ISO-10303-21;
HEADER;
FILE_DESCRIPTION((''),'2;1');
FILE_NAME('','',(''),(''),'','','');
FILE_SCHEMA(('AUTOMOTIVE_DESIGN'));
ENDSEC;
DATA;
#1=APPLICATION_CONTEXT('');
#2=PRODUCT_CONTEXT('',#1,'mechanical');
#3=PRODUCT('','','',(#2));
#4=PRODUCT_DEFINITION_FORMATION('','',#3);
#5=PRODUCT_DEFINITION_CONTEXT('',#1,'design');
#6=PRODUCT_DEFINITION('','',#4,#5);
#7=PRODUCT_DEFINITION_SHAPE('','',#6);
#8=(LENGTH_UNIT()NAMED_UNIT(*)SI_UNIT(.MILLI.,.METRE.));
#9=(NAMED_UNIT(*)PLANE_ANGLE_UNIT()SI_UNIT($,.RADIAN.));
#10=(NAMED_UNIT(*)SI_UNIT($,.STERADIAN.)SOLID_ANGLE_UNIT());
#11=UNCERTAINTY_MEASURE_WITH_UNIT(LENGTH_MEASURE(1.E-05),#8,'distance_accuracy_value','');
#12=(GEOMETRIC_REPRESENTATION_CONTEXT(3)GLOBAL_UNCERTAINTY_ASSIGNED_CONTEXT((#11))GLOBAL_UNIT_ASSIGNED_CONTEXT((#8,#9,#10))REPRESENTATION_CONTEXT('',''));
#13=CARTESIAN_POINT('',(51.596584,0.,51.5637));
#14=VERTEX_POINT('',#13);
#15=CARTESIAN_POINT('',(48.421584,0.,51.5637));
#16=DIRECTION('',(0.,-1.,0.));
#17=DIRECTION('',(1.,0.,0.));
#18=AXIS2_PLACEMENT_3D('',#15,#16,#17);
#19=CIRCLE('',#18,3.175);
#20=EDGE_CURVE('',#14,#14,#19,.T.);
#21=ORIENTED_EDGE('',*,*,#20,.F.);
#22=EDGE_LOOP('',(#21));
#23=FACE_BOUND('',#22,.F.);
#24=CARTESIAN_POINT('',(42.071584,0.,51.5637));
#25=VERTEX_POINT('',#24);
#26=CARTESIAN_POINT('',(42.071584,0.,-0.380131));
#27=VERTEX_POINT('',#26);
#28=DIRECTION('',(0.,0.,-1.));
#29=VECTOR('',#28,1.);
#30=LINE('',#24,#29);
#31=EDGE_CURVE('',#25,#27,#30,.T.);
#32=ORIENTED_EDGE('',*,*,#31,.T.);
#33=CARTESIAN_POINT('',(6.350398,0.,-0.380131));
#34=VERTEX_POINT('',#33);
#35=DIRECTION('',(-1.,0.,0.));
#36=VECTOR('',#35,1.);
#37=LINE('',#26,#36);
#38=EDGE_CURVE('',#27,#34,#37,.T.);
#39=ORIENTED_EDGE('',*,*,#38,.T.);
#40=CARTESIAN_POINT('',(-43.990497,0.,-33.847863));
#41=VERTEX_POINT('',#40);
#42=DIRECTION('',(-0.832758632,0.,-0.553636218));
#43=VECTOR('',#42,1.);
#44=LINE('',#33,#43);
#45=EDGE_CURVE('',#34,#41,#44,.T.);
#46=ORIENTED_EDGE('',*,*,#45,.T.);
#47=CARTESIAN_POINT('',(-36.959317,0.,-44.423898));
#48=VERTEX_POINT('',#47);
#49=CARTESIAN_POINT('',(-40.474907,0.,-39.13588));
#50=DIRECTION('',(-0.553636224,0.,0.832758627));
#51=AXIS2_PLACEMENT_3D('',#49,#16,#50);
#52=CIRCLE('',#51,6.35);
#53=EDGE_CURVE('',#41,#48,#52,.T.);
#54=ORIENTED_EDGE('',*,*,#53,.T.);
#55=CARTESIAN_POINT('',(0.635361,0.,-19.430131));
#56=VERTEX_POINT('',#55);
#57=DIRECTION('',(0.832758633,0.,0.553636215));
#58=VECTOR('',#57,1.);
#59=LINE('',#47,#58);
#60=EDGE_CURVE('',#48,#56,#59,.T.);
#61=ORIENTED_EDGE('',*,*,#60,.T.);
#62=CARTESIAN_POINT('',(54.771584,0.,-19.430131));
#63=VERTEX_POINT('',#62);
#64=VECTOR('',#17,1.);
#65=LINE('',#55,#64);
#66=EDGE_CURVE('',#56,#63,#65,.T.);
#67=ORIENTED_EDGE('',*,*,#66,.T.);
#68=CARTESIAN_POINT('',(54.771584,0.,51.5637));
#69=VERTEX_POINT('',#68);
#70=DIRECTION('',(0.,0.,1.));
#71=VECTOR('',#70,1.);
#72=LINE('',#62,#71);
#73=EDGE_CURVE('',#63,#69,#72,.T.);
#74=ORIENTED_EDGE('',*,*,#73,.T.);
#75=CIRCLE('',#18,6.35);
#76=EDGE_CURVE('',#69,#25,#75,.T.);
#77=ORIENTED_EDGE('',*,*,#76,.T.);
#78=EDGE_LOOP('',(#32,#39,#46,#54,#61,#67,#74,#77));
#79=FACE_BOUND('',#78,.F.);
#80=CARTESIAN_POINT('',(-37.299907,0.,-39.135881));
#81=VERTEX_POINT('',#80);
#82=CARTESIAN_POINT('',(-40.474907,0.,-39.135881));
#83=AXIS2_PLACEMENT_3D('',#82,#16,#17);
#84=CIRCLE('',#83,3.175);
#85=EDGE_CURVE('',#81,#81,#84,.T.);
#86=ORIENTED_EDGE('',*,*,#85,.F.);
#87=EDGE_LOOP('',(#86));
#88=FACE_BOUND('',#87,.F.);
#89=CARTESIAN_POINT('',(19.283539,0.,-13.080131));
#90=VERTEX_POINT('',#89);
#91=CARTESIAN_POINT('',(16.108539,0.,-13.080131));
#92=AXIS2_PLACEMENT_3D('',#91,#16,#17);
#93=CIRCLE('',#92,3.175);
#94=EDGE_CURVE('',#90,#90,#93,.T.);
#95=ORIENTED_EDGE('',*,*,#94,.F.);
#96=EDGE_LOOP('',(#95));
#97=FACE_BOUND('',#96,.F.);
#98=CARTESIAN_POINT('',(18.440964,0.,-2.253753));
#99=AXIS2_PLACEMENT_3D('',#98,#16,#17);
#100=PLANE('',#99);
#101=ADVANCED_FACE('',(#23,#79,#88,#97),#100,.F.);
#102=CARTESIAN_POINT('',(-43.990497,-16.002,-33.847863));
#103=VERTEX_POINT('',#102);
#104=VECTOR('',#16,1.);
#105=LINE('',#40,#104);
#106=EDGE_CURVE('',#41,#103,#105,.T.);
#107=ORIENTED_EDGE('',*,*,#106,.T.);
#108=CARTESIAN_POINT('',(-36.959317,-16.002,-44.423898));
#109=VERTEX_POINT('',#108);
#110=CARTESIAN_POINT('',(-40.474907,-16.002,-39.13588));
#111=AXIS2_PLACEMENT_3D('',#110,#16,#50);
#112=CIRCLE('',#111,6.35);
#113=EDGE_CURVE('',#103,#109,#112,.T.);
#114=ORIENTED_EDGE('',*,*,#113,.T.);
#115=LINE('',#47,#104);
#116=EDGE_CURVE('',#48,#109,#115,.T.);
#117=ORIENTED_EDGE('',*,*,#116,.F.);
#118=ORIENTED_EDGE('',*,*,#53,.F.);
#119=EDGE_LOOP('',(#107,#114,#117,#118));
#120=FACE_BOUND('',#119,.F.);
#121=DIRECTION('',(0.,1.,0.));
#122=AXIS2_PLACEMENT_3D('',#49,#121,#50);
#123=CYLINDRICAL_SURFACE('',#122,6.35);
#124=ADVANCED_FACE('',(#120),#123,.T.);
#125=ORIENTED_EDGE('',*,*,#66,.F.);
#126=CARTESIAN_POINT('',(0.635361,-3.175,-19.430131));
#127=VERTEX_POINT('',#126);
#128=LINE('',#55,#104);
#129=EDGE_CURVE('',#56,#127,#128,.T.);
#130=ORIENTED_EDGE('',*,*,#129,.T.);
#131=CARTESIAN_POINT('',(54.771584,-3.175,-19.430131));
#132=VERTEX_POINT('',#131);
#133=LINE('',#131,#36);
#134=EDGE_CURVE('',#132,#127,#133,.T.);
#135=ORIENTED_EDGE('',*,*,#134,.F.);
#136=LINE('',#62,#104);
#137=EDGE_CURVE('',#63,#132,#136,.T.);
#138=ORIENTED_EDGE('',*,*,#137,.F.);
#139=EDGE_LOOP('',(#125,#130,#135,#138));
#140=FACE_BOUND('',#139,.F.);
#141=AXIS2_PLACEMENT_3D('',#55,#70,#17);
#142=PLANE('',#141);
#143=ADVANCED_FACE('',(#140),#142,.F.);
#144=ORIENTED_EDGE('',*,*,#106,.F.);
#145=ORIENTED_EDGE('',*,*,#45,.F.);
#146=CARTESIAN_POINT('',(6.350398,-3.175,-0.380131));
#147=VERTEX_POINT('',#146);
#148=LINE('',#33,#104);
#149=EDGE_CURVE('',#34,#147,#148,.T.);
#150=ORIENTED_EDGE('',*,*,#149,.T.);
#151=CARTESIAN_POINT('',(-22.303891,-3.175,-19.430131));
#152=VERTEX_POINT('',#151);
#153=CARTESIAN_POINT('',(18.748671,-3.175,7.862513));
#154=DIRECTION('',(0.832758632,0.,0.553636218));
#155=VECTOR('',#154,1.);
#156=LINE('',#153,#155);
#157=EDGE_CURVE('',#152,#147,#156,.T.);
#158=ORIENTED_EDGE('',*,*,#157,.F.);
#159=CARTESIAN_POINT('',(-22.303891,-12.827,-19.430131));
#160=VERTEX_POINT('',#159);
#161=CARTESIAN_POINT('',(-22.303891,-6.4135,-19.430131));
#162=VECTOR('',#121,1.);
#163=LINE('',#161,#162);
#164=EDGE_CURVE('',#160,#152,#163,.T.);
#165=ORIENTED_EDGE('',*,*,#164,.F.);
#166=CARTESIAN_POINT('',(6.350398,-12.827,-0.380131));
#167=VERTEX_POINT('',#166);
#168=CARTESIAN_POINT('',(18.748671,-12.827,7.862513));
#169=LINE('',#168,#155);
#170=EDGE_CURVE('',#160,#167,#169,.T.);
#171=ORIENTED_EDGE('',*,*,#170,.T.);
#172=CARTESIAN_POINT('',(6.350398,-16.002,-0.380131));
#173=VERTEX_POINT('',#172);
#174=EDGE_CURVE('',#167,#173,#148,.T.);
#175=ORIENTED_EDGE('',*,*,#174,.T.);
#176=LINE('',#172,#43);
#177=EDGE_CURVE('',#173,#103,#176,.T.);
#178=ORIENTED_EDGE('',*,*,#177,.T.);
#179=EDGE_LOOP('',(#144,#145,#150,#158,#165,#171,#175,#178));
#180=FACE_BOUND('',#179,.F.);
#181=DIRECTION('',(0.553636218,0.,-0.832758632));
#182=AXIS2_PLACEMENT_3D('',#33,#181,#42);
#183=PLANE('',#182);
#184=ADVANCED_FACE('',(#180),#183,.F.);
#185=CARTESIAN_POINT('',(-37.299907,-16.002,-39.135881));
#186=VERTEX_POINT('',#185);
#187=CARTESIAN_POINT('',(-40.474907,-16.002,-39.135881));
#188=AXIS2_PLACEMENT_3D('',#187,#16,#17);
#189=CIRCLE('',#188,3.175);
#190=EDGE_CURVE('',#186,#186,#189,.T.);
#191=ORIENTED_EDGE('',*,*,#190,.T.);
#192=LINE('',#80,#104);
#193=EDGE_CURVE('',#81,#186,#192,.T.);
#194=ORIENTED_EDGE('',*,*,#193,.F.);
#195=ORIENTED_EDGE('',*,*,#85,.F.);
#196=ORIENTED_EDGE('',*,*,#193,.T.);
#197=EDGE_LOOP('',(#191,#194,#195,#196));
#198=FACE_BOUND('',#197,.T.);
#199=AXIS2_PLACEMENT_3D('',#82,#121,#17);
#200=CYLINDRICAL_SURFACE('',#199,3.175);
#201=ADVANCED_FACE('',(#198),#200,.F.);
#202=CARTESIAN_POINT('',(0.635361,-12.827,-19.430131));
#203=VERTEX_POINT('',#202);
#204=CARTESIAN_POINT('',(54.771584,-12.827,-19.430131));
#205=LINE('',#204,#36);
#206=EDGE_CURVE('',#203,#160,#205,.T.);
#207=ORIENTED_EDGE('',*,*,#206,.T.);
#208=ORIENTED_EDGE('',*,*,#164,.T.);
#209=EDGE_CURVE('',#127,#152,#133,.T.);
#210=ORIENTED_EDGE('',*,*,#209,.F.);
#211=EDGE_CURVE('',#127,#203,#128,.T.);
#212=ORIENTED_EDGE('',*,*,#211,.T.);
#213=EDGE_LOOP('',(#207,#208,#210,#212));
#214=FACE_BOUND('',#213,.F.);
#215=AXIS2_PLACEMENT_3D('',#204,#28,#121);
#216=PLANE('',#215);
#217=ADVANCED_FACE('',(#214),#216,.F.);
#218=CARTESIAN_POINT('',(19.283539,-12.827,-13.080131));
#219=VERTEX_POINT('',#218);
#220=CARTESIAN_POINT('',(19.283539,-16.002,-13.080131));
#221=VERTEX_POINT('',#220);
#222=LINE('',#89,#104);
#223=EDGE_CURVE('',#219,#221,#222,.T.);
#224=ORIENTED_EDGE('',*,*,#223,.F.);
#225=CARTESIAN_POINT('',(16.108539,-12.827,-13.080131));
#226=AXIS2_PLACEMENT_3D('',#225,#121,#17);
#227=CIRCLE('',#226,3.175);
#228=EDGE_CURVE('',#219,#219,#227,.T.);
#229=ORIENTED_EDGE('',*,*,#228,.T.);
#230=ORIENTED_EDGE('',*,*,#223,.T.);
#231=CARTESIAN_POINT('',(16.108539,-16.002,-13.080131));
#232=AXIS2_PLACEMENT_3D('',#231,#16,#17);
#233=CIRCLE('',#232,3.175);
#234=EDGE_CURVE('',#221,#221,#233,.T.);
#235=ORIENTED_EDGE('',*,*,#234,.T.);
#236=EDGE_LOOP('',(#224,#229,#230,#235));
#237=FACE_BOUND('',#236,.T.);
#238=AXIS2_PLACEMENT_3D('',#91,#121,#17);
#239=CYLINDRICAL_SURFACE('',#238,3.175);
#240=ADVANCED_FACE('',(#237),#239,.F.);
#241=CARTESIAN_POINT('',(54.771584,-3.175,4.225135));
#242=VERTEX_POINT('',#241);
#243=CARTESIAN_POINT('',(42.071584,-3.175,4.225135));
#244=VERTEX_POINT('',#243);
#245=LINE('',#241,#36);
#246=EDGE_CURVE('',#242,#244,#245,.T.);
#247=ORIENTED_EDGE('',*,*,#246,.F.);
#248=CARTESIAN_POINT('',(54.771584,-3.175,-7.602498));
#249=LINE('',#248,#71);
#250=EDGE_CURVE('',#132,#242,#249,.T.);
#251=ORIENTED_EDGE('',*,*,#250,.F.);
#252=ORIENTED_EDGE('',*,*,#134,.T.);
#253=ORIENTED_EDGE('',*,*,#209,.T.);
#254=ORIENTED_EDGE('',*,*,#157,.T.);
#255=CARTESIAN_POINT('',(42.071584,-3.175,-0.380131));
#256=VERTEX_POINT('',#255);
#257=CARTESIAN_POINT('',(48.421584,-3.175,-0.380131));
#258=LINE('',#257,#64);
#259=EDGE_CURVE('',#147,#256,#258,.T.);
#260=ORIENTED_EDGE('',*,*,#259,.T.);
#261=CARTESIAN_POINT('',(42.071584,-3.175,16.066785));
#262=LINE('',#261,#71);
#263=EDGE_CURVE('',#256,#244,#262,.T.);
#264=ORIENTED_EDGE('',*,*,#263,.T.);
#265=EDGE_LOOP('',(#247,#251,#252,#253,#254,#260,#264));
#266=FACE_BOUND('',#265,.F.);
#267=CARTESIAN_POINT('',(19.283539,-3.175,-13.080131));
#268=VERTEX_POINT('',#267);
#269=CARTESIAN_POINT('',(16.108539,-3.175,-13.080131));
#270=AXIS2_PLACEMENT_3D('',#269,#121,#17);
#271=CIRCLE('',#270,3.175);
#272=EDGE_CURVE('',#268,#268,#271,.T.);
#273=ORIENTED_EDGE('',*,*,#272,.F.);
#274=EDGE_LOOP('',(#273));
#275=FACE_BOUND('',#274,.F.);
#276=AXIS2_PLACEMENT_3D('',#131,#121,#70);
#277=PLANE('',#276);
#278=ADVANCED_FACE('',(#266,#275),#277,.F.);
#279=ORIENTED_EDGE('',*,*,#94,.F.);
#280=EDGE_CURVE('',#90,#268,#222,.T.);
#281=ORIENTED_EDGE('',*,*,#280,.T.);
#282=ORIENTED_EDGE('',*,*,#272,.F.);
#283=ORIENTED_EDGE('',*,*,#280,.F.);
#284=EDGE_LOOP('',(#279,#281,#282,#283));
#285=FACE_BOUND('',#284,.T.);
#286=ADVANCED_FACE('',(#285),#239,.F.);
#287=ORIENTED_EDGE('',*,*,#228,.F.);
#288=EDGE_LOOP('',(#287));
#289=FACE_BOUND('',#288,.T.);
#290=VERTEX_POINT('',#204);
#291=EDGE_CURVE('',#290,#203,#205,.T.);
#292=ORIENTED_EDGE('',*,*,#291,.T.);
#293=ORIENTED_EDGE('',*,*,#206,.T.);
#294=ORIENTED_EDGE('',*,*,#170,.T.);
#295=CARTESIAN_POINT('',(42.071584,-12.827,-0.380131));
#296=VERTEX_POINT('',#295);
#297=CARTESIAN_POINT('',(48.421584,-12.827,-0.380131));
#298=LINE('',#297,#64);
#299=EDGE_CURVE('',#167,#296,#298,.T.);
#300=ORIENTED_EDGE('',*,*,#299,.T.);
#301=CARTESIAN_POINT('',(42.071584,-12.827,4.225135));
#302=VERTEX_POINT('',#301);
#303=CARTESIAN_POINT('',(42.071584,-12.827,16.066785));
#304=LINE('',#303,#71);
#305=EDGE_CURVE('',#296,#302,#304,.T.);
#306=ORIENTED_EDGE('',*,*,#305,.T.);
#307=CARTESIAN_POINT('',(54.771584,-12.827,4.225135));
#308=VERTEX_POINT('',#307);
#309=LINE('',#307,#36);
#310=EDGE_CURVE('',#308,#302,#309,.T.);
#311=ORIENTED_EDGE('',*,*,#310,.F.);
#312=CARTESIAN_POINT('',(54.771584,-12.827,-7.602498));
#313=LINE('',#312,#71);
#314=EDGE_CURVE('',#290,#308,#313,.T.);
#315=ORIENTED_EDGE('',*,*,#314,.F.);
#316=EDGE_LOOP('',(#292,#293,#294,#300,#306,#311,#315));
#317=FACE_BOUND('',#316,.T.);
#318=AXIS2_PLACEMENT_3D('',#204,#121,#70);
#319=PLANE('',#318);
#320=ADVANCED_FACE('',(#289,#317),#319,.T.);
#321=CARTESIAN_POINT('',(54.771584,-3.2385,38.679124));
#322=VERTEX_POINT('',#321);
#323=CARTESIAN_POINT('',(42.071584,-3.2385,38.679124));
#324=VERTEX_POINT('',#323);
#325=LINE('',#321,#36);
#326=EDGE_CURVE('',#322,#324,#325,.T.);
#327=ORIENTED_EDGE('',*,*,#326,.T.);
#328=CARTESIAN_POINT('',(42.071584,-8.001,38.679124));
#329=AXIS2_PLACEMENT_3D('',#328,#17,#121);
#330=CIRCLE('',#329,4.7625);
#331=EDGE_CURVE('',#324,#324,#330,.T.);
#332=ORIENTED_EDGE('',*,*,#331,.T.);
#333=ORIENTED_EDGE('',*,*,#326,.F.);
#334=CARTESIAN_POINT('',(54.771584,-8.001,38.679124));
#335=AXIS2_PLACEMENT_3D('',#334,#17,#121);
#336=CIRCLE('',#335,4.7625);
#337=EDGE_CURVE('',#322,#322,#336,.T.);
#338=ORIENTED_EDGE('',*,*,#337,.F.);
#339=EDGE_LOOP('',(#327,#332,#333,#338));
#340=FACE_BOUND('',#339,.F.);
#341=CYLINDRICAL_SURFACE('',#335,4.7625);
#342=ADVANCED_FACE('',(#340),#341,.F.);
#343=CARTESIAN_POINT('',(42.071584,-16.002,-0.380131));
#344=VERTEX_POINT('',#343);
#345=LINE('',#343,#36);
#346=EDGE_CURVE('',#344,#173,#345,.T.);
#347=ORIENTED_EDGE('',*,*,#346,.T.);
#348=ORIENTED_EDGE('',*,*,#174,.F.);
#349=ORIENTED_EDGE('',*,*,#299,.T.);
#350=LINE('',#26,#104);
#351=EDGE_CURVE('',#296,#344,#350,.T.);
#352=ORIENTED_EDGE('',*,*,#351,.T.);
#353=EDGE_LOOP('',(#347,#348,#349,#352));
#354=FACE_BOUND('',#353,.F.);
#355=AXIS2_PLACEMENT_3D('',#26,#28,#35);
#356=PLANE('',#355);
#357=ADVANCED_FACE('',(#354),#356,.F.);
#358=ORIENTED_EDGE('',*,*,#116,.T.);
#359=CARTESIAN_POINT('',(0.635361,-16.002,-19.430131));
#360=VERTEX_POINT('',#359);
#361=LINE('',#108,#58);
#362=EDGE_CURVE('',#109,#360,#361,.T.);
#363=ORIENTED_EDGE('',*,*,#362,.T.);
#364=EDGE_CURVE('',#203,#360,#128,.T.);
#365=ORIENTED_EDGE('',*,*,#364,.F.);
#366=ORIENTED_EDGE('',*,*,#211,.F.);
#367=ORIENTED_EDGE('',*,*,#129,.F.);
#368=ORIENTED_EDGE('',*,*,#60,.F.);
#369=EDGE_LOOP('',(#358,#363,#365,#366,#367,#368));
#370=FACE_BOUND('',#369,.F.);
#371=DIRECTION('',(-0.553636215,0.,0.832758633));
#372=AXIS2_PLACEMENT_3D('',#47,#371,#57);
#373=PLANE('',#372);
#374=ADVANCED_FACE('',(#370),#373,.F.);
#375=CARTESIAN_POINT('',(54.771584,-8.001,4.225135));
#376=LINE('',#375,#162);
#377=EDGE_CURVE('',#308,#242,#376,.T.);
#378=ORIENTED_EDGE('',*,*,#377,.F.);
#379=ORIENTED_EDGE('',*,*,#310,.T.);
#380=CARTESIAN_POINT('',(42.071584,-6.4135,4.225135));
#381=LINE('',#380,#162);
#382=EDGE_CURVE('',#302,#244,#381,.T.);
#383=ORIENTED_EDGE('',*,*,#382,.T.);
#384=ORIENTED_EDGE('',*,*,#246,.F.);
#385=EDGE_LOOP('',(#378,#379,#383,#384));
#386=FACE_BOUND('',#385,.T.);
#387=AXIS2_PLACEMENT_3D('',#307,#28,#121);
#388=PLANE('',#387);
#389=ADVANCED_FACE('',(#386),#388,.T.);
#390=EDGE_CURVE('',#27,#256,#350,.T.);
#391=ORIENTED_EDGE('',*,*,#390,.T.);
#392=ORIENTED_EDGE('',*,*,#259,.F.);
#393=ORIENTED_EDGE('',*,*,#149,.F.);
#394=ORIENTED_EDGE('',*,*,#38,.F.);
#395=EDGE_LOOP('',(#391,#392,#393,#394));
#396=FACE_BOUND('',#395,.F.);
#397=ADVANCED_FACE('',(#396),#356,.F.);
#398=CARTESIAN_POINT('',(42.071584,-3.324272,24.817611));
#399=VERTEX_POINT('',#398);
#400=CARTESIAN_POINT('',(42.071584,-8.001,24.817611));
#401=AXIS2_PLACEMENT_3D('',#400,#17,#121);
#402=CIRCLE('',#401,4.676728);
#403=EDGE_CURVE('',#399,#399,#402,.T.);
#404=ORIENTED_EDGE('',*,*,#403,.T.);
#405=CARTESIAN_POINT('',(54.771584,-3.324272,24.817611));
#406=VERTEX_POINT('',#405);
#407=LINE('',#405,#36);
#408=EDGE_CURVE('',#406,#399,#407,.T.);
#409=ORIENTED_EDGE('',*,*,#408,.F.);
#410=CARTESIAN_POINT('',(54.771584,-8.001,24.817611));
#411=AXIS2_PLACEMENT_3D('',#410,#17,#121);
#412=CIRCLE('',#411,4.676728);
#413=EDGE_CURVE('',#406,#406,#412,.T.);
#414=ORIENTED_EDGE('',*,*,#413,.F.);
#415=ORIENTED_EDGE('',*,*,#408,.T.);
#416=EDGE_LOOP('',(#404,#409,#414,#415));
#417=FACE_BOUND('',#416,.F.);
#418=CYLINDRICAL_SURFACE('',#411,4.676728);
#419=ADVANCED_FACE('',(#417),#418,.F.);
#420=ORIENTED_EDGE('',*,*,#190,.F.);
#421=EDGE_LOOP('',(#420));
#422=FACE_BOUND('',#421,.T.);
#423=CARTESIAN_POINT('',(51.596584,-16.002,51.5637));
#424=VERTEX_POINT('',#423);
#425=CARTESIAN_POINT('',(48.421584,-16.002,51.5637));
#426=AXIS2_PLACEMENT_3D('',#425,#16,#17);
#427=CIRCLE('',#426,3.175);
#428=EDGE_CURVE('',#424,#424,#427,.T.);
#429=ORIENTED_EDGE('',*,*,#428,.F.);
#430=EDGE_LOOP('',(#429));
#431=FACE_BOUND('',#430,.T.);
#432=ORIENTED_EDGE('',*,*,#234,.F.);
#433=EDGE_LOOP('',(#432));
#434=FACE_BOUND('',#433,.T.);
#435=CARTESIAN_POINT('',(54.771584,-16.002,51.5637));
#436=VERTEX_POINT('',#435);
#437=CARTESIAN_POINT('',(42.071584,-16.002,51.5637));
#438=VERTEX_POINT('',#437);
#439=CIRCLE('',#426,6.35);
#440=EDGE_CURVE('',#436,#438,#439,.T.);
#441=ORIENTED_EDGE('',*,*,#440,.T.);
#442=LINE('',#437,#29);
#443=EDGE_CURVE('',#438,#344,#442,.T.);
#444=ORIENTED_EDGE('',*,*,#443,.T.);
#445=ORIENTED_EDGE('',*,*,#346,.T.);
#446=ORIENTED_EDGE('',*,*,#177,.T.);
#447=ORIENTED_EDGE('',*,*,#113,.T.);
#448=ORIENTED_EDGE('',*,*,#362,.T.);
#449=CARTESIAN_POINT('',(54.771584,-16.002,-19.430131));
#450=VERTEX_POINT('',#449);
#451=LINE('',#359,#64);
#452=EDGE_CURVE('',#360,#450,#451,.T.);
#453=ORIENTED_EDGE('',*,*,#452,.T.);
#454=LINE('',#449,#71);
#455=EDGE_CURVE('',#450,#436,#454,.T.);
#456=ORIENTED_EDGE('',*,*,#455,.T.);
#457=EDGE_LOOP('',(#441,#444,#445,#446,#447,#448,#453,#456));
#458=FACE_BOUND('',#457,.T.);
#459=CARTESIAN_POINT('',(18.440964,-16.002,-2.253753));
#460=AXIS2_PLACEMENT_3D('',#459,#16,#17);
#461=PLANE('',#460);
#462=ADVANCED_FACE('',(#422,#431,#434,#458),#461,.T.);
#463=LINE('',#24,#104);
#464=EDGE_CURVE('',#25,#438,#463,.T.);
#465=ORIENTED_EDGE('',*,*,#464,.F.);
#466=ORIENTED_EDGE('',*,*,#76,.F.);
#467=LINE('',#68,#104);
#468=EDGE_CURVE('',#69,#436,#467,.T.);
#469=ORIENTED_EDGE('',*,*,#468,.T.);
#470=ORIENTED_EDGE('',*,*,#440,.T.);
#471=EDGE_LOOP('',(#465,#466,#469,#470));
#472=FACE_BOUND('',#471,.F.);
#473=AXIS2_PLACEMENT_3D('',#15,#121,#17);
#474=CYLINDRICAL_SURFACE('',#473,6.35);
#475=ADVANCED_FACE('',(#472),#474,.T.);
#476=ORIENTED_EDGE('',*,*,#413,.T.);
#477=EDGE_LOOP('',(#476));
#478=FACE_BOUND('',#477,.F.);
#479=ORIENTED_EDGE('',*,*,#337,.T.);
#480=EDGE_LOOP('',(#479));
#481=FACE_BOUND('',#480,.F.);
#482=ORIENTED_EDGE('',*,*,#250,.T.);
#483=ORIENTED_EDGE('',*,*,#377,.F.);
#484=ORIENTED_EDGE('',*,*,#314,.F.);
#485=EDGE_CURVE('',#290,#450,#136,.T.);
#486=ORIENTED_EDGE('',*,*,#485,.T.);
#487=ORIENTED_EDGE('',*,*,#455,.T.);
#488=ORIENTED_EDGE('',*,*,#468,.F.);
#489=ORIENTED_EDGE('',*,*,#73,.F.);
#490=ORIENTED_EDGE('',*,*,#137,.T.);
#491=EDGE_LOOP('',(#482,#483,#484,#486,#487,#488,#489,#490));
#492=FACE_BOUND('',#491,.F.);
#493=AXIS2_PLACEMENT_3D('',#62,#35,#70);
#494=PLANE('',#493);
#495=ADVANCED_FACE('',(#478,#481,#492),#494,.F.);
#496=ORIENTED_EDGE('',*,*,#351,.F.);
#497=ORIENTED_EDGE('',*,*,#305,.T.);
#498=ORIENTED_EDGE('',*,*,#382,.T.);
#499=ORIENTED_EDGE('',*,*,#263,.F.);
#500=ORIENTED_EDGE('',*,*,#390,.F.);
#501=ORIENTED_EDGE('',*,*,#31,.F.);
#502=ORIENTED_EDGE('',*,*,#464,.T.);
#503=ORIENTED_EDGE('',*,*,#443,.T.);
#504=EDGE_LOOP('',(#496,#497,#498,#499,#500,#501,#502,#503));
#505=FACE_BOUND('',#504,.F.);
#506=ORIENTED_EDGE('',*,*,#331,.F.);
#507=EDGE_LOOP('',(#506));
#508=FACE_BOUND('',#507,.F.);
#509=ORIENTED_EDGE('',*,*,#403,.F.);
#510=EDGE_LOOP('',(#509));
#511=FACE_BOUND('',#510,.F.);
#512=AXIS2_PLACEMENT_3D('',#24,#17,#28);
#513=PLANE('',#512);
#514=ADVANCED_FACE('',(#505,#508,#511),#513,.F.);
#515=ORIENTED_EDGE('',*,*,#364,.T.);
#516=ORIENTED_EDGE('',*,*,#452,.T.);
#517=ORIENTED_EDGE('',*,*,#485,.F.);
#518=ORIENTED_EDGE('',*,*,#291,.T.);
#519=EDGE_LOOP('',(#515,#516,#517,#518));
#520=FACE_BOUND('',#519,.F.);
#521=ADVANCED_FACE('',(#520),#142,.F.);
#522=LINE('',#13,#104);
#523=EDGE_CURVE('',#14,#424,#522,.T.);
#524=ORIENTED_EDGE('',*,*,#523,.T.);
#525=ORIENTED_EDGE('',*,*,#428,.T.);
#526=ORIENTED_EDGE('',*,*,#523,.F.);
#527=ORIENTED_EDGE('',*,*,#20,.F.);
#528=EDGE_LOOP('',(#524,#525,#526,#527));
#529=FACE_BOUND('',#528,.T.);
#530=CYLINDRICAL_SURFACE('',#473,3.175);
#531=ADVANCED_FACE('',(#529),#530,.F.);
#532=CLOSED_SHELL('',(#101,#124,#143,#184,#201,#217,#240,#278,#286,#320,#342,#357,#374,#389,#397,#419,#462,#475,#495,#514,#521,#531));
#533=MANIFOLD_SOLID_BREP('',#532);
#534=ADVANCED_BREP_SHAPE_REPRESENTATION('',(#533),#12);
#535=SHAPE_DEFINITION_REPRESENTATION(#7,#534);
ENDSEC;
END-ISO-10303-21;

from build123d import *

# Parameters (mm, degrees)
F0_R     = 3.175
F1_DEPTH = 16.002
F2_R     = 4.7625
F2_R_2   = 4.676728
F2_W     = 9.652
F2_H     = 23.655266
F3_DEPTH = 119.888


with BuildPart() as f1:
    # F0 (on Front) → F1 (new body)
    with BuildSketch(Plane.XZ):
        with BuildLine():
            Line((54.771584, -19.430131), (54.771584, 51.5637))
            ThreePointArc((54.771584, 51.5637), (48.421584, 57.9137), (42.071584, 51.5637))
            Line((42.071584, 51.5637), (42.071584, -0.380131))
            Line((42.071584, -0.380131), (6.350398, -0.380131))
            Line((6.350398, -0.380131), (-43.990497, -33.847863))
            ThreePointArc((-43.990497, -33.847863), (-45.762924, -42.651471), (-36.959317, -44.423898))
            Line((-36.959317, -44.423898), (0.635361, -19.430131))
            Line((0.635361, -19.430131), (54.771584, -19.430131))
        make_face()
        with Locations((-40.474907, -39.135881)):
            Circle(F0_R, mode=Mode.SUBTRACT)
        with Locations((16.108539, -13.080131)):
            Circle(F0_R, mode=Mode.SUBTRACT)
        with Locations((48.421584, 51.5637)):
            Circle(F0_R, mode=Mode.SUBTRACT)
    extrude(amount=F1_DEPTH)

    # F2 (on face) → F3 (cut)
    with BuildSketch(Plane.YZ.offset(54.771584)):
        with Locations((-8.001, 38.679124)):
            Circle(F2_R)
        with Locations((-8.001, 24.817611)):
            Circle(F2_R_2)
        with Locations((-8.001, -7.602498)):
            Rectangle(F2_W, F2_H)
    extrude(amount=-F3_DEPTH, mode=Mode.SUBTRACT)


solid = f1.part
